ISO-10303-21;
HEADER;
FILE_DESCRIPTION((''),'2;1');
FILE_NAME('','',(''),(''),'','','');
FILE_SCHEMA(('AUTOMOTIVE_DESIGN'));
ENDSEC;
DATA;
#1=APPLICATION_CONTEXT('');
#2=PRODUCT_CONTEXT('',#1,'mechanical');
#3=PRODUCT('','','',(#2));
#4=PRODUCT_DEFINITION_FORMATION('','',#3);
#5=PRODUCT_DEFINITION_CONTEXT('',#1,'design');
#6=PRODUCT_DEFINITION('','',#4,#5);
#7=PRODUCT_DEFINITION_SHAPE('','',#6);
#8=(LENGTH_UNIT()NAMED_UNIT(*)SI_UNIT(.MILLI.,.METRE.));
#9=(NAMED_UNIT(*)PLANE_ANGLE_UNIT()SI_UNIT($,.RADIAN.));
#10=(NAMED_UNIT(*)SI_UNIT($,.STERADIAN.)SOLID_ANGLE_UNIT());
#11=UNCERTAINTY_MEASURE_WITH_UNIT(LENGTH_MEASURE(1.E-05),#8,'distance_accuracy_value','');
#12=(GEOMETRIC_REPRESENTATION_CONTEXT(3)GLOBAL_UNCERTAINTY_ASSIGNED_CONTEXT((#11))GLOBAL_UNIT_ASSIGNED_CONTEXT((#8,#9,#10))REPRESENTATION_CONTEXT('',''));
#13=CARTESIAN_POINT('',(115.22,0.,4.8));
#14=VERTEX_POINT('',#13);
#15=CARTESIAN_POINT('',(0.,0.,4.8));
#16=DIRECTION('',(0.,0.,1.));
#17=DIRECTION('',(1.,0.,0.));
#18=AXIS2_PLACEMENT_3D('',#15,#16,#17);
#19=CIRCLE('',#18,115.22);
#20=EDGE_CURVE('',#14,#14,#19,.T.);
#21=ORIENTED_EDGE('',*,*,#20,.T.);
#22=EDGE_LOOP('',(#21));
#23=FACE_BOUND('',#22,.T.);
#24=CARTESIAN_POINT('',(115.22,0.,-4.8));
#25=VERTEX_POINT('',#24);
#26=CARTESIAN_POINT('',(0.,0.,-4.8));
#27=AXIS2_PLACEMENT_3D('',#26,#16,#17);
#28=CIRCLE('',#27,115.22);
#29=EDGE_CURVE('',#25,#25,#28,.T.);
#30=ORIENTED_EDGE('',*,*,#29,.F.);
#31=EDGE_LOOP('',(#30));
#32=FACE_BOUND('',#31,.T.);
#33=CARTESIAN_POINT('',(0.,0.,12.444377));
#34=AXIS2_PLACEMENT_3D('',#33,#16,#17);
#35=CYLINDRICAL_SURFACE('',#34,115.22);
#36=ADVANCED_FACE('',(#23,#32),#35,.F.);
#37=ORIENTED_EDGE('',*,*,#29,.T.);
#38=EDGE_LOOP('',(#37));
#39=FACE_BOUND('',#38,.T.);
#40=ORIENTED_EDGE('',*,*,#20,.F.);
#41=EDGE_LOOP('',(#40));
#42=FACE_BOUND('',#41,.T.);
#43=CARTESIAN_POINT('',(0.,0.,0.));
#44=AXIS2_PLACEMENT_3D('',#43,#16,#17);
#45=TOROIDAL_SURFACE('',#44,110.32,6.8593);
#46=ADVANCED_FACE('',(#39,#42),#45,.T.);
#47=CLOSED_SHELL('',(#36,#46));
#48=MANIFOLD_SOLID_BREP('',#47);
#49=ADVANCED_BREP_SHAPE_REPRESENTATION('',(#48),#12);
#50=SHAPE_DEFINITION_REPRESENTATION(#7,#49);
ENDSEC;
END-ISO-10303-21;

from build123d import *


with BuildPart() as part:
    # Sketch1 → Revolve1 (revolve)
    with BuildSketch(Plane(origin=(0, 0, 0), x_dir=(0, 0, -1), z_dir=(1, 0, 0)), mode=Mode.PRIVATE) as revolve1_sk:
        with BuildLine():
            ThreePointArc((-4.8, 115.22), (0, 117.179300256), (4.8, 115.22))
            Line((4.8, 115.22), (-4.8, 115.22))
        make_face()
    revolve(revolve1_sk.sketch.rotate(Axis((0, 0, 12.444377479), (0, 0, -1)), 90), axis=Axis((0, 0, 12.444377479), (0, 0, -1)))


solid = part.part
